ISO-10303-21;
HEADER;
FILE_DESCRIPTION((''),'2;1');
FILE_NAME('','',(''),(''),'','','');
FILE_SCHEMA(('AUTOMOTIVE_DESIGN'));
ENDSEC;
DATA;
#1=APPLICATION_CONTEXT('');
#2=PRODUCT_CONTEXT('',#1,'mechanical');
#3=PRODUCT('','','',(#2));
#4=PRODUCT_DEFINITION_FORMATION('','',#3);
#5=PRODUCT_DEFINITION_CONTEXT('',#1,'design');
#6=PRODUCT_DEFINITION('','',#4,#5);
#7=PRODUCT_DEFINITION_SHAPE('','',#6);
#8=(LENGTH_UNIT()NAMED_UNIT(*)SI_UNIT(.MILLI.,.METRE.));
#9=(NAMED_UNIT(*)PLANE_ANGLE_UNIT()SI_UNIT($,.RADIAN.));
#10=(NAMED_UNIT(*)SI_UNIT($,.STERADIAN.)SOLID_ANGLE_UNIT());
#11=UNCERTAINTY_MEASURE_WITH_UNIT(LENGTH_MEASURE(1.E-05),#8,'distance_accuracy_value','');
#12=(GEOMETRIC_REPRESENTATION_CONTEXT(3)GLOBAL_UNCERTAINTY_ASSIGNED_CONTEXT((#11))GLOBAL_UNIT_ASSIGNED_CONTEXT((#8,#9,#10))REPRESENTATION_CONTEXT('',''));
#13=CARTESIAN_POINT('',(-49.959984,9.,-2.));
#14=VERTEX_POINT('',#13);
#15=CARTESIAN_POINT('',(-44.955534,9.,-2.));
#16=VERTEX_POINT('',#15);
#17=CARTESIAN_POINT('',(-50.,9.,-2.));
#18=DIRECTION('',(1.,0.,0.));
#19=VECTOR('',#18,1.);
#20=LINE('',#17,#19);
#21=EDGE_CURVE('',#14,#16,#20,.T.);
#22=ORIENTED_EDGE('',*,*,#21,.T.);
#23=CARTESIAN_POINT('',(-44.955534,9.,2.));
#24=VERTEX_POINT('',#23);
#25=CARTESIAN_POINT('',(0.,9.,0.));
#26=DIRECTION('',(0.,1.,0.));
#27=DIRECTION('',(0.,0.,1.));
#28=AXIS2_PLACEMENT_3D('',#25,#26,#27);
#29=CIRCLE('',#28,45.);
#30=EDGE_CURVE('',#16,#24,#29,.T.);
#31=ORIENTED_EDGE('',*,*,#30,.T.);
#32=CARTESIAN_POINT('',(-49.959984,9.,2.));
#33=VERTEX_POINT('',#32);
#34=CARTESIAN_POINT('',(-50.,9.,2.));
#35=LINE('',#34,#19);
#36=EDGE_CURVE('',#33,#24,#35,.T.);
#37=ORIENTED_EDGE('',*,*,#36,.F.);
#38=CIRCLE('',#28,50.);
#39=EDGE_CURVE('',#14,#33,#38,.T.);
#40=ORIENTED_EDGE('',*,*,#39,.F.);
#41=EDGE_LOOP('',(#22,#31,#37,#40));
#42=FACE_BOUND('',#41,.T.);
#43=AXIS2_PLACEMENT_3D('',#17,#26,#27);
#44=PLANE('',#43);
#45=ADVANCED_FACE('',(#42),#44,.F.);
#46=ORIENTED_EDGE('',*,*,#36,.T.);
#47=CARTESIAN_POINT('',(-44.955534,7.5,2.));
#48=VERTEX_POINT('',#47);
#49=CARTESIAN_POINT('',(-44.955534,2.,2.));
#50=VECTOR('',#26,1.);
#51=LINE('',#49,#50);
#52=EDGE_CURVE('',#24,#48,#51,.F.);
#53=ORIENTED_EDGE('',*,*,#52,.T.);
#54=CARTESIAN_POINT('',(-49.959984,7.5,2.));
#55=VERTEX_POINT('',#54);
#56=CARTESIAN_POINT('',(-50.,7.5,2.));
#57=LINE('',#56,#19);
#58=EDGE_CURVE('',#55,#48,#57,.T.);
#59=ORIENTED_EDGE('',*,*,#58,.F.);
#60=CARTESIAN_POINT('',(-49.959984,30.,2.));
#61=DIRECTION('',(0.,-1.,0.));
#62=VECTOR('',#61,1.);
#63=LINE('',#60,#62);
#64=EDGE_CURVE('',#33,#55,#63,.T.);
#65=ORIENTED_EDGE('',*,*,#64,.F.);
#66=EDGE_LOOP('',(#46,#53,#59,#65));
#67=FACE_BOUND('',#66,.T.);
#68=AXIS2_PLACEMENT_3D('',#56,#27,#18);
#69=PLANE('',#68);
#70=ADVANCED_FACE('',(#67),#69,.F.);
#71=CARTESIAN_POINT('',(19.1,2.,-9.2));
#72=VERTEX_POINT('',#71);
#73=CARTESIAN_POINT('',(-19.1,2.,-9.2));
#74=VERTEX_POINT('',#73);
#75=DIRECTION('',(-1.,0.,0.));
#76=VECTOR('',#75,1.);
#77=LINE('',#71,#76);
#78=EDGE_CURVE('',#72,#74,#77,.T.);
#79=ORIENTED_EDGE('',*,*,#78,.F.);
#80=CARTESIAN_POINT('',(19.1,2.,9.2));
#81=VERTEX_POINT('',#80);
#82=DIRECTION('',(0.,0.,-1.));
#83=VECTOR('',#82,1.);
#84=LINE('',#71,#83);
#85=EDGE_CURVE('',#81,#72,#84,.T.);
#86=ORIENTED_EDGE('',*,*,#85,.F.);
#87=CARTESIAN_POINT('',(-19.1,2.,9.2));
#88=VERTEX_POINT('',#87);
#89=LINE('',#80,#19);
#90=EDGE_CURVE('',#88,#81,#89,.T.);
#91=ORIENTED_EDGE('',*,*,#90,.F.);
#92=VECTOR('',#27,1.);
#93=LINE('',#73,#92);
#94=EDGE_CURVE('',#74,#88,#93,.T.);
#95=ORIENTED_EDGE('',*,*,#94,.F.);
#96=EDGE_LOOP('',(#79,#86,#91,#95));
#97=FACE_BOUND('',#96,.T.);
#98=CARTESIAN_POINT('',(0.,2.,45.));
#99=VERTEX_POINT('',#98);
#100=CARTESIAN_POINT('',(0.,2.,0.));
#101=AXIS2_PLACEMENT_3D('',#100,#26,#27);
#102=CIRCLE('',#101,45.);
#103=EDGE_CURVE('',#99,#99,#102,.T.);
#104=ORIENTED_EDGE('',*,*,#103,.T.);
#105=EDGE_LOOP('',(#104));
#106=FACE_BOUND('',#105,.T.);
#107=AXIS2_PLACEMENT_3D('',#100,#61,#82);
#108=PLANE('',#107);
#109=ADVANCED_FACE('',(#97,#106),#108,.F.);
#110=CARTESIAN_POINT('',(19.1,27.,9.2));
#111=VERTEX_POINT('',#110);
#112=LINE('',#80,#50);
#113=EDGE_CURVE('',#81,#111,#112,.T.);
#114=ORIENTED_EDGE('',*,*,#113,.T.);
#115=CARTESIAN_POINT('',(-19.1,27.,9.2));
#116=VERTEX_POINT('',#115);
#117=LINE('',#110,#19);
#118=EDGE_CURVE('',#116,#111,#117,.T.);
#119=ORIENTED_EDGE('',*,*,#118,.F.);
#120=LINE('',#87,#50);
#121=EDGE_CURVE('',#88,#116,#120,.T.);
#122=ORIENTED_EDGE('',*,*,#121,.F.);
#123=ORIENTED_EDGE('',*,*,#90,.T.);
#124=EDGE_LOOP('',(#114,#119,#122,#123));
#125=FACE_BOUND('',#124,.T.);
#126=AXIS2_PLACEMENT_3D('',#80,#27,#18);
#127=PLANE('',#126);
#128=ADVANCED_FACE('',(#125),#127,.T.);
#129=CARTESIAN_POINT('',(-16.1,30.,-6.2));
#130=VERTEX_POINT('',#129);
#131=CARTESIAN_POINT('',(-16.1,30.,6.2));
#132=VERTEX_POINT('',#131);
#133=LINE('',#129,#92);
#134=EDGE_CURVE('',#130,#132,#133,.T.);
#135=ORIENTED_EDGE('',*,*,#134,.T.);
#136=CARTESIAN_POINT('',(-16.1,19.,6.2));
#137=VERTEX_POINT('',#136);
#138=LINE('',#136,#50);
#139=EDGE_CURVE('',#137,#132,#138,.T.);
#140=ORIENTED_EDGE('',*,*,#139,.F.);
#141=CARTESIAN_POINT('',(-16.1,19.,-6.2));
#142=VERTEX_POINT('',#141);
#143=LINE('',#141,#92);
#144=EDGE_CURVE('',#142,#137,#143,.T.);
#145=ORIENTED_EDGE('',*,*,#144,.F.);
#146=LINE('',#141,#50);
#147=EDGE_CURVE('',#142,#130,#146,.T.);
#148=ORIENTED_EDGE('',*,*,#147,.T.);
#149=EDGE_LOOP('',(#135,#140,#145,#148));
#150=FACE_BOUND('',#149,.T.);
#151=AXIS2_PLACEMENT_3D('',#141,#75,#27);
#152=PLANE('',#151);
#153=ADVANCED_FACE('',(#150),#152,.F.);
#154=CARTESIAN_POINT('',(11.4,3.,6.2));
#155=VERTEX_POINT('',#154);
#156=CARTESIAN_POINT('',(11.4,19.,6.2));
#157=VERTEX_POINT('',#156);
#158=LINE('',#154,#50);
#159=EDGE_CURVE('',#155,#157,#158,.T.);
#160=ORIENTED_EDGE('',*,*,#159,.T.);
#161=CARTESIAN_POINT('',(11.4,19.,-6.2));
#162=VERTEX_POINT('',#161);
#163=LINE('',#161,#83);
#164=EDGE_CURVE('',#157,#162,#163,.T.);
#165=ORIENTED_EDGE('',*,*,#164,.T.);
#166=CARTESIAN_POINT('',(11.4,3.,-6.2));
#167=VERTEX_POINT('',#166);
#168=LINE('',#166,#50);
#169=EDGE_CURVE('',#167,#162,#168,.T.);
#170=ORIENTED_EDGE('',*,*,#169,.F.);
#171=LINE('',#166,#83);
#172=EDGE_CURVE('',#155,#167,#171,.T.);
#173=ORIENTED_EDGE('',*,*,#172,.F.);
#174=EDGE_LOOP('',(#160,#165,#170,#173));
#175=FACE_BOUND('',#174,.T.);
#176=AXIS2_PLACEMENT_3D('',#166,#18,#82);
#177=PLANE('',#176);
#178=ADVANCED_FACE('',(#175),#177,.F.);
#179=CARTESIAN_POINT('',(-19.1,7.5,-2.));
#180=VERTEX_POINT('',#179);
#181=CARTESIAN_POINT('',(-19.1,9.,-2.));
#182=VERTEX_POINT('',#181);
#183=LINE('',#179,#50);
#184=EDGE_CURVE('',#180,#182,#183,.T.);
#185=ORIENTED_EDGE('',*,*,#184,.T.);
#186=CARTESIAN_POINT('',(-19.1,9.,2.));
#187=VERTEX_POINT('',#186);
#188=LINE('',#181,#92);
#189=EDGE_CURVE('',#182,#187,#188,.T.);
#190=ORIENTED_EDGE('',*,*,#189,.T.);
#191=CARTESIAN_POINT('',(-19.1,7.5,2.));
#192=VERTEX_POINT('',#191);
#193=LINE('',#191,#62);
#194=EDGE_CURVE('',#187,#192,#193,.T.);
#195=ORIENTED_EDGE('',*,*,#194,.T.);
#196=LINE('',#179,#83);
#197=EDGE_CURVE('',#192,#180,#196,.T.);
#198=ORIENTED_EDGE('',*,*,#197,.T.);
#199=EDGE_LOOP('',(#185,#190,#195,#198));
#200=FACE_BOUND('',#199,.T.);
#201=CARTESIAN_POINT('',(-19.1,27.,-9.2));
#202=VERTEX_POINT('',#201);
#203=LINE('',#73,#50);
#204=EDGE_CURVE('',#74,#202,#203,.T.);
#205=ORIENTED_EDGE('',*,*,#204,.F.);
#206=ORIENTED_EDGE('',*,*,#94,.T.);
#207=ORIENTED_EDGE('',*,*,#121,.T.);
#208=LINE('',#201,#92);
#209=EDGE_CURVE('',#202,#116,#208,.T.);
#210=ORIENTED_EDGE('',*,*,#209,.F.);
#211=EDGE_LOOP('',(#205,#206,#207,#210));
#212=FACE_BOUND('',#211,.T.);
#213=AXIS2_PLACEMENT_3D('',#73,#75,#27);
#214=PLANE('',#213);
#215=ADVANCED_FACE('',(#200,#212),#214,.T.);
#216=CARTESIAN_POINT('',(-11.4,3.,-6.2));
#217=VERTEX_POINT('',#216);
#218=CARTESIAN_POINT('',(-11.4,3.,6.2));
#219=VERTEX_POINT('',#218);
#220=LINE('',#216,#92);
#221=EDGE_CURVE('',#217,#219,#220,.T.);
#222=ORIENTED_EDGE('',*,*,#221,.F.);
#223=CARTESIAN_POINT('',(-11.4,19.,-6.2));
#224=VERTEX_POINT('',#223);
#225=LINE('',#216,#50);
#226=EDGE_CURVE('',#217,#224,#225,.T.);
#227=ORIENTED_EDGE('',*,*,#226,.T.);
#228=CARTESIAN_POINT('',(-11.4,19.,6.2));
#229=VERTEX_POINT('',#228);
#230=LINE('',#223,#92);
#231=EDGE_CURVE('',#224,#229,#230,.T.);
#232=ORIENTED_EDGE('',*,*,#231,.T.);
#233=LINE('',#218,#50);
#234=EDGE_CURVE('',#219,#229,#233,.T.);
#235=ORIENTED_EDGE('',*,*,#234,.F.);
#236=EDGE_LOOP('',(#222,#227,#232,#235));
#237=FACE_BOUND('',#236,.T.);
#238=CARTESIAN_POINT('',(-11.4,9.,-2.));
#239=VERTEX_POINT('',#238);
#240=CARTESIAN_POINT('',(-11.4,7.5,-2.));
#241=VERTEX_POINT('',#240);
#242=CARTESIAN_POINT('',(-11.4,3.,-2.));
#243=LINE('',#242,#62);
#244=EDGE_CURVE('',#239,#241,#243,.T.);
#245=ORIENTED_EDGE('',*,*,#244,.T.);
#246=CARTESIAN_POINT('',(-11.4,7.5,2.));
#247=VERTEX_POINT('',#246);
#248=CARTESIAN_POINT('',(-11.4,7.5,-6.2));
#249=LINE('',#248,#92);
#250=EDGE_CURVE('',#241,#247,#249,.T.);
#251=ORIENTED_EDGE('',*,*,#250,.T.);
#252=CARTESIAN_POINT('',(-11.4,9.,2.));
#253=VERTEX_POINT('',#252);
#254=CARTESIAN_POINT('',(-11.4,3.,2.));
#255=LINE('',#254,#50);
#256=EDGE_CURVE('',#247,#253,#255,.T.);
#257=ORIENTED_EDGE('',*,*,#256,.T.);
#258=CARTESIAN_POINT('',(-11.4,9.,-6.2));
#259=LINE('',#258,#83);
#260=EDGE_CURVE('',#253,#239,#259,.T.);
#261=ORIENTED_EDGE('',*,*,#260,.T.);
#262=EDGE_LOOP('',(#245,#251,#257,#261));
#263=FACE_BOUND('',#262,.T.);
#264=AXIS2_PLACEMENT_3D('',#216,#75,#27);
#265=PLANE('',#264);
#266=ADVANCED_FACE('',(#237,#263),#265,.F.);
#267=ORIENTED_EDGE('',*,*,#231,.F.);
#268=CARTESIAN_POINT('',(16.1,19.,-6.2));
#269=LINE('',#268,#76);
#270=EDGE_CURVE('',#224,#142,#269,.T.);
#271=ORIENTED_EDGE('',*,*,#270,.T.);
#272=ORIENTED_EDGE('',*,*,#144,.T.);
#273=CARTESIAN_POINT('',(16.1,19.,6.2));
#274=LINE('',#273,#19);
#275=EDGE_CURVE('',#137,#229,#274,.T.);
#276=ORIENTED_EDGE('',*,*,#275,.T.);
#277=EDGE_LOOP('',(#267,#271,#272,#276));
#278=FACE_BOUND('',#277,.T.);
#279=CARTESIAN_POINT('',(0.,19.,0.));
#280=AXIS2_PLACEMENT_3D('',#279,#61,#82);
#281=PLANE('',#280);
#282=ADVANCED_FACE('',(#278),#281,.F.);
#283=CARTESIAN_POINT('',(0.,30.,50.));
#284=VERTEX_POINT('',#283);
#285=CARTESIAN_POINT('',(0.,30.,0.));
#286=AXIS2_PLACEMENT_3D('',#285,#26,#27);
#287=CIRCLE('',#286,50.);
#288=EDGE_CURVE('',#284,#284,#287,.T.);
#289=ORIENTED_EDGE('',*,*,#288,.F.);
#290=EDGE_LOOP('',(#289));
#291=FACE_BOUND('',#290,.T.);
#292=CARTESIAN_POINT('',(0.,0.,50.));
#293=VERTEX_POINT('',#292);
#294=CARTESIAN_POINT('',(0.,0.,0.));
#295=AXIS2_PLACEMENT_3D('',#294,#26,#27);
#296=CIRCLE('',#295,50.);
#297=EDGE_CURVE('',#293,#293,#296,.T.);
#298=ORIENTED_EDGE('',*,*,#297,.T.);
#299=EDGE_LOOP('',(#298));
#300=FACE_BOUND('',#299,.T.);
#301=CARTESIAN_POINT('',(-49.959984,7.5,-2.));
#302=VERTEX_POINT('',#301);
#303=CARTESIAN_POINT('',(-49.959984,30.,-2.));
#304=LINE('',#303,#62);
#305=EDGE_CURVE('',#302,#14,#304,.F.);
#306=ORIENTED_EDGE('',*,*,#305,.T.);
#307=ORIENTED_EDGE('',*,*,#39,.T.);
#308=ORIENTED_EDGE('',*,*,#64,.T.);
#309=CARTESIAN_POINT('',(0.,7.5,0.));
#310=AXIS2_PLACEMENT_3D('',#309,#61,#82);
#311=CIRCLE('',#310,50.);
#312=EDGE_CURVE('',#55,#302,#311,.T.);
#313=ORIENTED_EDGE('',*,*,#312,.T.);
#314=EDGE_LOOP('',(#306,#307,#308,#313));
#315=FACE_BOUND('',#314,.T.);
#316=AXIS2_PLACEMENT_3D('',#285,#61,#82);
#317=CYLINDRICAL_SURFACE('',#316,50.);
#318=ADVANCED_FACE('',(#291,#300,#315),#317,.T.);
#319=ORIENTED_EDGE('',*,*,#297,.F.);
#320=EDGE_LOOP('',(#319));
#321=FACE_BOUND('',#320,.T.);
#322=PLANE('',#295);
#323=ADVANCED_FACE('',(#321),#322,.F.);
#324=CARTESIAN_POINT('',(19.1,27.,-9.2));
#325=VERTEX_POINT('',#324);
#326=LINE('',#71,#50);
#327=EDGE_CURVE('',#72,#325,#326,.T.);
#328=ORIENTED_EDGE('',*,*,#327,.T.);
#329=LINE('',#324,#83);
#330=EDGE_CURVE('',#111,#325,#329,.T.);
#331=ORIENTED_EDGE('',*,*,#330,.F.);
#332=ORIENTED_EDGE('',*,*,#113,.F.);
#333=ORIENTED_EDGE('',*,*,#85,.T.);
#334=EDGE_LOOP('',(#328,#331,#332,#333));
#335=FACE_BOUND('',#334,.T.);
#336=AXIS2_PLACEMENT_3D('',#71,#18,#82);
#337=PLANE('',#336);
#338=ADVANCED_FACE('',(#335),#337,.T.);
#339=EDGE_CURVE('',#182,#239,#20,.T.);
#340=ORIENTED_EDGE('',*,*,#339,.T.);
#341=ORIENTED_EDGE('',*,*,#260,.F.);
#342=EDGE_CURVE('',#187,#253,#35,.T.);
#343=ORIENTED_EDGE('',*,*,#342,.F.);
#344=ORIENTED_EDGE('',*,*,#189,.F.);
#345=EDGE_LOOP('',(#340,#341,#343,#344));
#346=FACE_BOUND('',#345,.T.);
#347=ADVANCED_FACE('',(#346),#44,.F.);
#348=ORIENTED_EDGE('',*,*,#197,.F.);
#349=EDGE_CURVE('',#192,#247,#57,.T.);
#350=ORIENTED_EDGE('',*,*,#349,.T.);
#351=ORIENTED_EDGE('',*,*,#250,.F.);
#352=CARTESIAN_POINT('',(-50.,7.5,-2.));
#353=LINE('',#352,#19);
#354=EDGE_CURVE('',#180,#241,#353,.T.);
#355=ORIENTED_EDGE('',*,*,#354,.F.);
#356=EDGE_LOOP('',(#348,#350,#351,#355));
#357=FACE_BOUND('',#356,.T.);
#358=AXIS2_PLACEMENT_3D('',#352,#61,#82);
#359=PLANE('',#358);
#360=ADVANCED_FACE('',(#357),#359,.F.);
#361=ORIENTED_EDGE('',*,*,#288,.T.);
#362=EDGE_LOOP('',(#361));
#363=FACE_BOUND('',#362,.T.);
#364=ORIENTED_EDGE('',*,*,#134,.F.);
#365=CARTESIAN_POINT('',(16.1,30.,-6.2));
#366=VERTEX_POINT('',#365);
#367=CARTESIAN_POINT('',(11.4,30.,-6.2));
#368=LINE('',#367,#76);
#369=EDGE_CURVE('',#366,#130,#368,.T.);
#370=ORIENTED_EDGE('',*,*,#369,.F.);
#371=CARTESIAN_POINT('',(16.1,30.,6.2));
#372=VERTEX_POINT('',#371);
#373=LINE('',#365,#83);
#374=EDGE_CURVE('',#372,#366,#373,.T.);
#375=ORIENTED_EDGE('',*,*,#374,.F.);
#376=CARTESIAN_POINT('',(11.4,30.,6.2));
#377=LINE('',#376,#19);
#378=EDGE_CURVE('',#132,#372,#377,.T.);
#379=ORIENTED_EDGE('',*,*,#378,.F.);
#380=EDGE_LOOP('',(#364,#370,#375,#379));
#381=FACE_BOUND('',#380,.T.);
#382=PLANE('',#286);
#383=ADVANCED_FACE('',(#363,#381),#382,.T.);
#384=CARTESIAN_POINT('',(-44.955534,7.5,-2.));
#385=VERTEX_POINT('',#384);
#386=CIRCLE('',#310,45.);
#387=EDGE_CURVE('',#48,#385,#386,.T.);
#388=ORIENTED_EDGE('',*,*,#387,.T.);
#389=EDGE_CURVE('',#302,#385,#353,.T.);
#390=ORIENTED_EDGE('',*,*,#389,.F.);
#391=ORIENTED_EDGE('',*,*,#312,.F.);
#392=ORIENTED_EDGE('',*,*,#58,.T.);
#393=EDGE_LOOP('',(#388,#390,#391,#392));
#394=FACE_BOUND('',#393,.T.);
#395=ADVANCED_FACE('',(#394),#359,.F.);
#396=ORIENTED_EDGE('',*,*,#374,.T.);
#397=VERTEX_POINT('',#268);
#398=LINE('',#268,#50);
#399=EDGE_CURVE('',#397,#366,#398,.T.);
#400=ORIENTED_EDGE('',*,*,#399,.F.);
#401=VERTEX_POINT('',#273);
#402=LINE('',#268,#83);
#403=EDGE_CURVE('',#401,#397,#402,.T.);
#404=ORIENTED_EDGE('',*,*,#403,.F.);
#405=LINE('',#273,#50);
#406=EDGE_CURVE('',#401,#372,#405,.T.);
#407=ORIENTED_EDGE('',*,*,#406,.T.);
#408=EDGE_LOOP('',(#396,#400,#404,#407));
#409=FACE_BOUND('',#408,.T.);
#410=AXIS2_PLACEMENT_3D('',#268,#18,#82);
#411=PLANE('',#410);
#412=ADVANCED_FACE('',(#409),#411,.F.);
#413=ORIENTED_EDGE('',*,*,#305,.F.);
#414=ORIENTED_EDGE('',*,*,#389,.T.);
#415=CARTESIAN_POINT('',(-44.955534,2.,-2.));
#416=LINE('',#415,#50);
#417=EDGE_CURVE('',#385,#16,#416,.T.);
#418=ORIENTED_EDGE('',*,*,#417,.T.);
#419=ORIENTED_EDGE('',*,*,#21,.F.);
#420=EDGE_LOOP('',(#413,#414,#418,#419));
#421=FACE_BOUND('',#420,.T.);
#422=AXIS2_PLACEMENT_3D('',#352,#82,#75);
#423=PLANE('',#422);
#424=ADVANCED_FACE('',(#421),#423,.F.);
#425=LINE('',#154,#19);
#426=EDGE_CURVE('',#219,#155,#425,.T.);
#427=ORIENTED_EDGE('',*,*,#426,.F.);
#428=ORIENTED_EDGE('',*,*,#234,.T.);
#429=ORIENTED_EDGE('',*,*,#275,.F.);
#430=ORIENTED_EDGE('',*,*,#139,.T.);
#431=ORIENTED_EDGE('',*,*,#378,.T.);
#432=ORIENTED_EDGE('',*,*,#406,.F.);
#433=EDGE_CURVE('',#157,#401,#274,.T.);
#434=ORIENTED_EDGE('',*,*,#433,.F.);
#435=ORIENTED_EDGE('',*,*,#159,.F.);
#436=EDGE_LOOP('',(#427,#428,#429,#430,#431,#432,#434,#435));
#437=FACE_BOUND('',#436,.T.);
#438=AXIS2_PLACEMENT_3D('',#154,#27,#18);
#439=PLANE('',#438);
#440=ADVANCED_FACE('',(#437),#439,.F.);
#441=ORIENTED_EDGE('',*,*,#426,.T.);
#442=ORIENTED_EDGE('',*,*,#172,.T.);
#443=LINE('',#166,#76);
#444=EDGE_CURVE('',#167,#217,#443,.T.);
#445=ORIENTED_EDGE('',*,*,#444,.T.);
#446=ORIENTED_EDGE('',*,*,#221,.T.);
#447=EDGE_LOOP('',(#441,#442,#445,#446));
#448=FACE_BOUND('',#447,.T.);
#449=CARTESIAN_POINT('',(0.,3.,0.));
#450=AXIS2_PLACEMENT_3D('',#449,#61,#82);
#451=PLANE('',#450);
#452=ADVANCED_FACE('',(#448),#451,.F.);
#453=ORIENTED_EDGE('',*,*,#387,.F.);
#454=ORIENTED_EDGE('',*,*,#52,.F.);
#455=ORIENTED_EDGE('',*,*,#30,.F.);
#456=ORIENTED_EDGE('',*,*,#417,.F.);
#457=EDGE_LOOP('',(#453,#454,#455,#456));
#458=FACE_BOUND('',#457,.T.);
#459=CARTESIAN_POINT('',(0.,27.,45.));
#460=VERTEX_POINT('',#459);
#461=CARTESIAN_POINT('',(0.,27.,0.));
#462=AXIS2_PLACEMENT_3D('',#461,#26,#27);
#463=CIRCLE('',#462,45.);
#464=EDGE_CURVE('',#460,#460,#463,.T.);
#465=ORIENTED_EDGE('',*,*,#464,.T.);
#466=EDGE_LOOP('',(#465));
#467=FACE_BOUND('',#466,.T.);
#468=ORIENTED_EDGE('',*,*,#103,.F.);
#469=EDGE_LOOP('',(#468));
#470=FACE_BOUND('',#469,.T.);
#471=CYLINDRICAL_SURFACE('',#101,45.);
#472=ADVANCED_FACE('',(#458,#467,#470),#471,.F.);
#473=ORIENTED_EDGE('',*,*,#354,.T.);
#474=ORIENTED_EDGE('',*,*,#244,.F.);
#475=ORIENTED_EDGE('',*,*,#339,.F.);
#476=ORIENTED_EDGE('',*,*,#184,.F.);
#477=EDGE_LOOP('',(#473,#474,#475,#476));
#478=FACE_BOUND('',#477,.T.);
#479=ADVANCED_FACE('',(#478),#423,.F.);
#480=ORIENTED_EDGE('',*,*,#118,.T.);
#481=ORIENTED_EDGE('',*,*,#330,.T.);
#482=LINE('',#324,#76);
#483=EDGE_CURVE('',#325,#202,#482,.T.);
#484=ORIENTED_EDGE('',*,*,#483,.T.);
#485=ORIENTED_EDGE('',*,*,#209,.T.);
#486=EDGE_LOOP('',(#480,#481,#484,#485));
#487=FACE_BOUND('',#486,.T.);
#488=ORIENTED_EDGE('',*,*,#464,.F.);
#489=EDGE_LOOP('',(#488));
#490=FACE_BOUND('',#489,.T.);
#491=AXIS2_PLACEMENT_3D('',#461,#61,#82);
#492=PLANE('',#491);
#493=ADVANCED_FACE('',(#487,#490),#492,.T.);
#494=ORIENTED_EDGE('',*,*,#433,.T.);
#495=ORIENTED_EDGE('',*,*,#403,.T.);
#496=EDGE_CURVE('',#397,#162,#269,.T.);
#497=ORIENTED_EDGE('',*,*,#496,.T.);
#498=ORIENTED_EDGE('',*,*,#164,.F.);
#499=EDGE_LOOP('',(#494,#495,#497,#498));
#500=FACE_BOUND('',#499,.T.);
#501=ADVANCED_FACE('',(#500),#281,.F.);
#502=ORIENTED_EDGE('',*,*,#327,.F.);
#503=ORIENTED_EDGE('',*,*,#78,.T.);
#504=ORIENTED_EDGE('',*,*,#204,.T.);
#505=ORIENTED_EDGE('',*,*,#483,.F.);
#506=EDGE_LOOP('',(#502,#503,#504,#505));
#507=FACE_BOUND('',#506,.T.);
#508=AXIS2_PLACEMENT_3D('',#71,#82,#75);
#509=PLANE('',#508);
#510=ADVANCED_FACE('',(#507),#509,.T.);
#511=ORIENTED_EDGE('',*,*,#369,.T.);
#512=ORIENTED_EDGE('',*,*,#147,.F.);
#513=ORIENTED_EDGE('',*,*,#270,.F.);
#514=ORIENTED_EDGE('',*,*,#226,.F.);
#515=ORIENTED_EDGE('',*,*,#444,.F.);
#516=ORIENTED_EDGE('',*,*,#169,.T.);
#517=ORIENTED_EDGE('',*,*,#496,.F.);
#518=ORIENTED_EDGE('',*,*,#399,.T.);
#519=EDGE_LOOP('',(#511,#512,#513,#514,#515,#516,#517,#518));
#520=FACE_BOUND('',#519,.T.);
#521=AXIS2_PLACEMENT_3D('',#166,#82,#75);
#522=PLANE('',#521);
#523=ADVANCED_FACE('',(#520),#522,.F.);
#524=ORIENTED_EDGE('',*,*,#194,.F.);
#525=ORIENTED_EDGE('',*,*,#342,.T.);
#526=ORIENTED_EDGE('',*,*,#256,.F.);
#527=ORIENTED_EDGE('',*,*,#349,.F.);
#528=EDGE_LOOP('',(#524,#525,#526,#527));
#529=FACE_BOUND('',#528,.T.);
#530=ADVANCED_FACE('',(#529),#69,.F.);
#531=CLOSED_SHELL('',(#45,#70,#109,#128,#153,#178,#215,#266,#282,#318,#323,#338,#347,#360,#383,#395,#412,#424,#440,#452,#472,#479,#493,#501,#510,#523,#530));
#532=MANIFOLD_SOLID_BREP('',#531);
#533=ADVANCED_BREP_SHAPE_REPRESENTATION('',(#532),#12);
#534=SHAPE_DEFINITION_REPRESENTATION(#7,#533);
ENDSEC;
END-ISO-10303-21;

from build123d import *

# Parameters (mm, degrees)
SKETCH1_R           = 50
BOSS_EXTRUDE1_DEPTH = 30
SKETCH2_W           = 22.8
SKETCH2_H           = 12.4
CUT_EXTRUDE1_DEPTH  = 27
SKETCH3_W           = 4
SKETCH3_H           = 1.5
CUT_EXTRUDE2_DEPTH  = 77.811457479
SKETCH4_W           = 32.2
SKETCH4_H           = 12.4
CUT_EXTRUDE3_DEPTH  = 11
CUT_EXTRUDE6_START  = -3
SKETCH5_W           = 58.2
SKETCH5_H           = 48.4
SKETCH5_W_2         = 38.2
SKETCH5_H_2         = 18.4
CUT_EXTRUDE6_DEPTH  = 25
CUT_EXTRUDE9_START  = -3
SKETCH6_R           = 45
SKETCH6_R_2         = 22.113575547
CUT_EXTRUDE9_DEPTH  = 25


with BuildPart() as part:
    # Sketch1 → Boss-Extrude1 (new body)
    with BuildSketch(Plane(origin=(0, 0, 0), x_dir=(1, 0, 0), z_dir=(0, 1, 0))):
        with Locations(Location((0, 0, 0), (0, 0, 270))):
            Circle(SKETCH1_R)
    extrude(amount=BOSS_EXTRUDE1_DEPTH)

    # Sketch2 → Cut-Extrude1 (cut)
    with BuildSketch(Plane(origin=(0, 30, 0), x_dir=(1, 0, 0), z_dir=(0, 1, 0))):
        Rectangle(SKETCH2_W, SKETCH2_H)
    extrude(amount=-CUT_EXTRUDE1_DEPTH, mode=Mode.SUBTRACT)

    # Sketch3 → Cut-Extrude2 (cut, through all)
    with BuildSketch(Plane(origin=(0, 0, 0), x_dir=(0, 0, -1), z_dir=(1, 0, 0))):
        with Locations((0, 8.25)):
            Rectangle(SKETCH3_W, SKETCH3_H)
    extrude(amount=-CUT_EXTRUDE2_DEPTH, mode=Mode.SUBTRACT)

    # Sketch4 → Cut-Extrude3 (cut)
    with BuildSketch(Plane(origin=(0, 30, 0), x_dir=(1, 0, 0), z_dir=(0, 1, 0))):
        Rectangle(SKETCH4_W, SKETCH4_H)
    extrude(amount=-CUT_EXTRUDE3_DEPTH, mode=Mode.SUBTRACT)

    # Sketch5 → Cut-Extrude6 (cut)
    with BuildSketch(Plane(origin=(0, 30, 0), x_dir=(1, 0, 0), z_dir=(0, 1, 0)).offset(CUT_EXTRUDE6_START)):
        Rectangle(SKETCH5_W, SKETCH5_H)
        Rectangle(SKETCH5_W_2, SKETCH5_H_2, mode=Mode.SUBTRACT)
    extrude(amount=-CUT_EXTRUDE6_DEPTH, mode=Mode.SUBTRACT)

    # Sketch6 → Cut-Extrude9 (cut)
    with BuildSketch(Plane(origin=(0, 30, 0), x_dir=(1, 0, 0), z_dir=(0, 1, 0)).offset(CUT_EXTRUDE9_START)):
        with Locations(Location((0, 0, 0), (0, 0, 270))):
            Circle(SKETCH6_R)
        Circle(SKETCH6_R_2, mode=Mode.SUBTRACT)
    extrude(amount=-CUT_EXTRUDE9_DEPTH, mode=Mode.SUBTRACT)


solid = part.part
